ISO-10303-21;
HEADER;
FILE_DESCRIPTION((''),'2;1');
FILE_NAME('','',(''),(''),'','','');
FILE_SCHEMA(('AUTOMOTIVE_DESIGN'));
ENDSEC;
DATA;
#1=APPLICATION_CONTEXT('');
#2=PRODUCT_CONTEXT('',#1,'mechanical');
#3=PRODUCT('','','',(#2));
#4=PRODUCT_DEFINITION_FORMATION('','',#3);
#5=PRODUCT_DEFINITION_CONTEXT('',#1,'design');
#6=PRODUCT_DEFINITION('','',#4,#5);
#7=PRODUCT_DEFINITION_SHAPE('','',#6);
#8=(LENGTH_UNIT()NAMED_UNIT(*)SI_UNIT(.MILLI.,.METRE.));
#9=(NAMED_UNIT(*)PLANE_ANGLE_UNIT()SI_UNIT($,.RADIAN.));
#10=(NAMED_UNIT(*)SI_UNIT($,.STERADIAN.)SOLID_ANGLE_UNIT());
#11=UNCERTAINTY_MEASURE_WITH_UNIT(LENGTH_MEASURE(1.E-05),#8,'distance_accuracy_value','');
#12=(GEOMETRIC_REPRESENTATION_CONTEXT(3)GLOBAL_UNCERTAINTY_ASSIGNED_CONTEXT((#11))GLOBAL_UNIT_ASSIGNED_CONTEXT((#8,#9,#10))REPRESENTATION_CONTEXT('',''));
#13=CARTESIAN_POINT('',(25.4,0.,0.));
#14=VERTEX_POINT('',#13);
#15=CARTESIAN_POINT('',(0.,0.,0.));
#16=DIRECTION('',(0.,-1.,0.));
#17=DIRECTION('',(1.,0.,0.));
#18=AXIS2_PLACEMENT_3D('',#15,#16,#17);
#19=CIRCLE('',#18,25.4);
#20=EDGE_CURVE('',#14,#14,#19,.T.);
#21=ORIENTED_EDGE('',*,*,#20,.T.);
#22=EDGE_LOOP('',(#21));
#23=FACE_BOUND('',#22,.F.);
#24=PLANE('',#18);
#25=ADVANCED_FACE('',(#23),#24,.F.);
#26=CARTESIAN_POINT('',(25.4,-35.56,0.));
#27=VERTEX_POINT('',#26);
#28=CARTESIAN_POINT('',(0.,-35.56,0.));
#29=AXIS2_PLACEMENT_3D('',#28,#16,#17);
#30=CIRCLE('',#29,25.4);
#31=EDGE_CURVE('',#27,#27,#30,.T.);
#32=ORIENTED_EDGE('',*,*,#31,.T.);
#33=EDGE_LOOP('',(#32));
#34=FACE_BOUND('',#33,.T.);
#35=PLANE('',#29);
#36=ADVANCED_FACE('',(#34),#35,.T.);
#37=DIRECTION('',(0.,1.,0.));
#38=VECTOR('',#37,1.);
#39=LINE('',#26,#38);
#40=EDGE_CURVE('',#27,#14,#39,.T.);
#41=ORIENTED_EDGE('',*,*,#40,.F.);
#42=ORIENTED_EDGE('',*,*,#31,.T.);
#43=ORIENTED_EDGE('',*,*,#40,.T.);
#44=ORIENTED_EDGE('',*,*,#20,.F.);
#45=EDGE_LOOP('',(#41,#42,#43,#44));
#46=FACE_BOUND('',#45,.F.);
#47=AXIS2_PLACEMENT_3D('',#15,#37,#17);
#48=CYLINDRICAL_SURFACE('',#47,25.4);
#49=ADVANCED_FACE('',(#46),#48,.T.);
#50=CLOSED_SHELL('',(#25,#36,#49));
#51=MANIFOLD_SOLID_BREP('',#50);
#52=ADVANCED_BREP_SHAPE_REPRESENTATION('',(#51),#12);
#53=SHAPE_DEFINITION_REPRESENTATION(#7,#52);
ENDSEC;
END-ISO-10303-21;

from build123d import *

# Parameters (mm, degrees)
F0_R     = 25.4
F1_DEPTH = 25.4
F2_DEPTH = 35.56


with BuildPart() as f1:
    # F0 (on Front) → F1 (new body)
    with BuildSketch(Plane.XZ):
        Circle(F0_R)
    extrude(amount=F1_DEPTH)

    # F0 (on Front) → F2 (join)
    with BuildSketch(Plane.XZ):
        Circle(F0_R)
    extrude(amount=F2_DEPTH)


solid = f1.part
